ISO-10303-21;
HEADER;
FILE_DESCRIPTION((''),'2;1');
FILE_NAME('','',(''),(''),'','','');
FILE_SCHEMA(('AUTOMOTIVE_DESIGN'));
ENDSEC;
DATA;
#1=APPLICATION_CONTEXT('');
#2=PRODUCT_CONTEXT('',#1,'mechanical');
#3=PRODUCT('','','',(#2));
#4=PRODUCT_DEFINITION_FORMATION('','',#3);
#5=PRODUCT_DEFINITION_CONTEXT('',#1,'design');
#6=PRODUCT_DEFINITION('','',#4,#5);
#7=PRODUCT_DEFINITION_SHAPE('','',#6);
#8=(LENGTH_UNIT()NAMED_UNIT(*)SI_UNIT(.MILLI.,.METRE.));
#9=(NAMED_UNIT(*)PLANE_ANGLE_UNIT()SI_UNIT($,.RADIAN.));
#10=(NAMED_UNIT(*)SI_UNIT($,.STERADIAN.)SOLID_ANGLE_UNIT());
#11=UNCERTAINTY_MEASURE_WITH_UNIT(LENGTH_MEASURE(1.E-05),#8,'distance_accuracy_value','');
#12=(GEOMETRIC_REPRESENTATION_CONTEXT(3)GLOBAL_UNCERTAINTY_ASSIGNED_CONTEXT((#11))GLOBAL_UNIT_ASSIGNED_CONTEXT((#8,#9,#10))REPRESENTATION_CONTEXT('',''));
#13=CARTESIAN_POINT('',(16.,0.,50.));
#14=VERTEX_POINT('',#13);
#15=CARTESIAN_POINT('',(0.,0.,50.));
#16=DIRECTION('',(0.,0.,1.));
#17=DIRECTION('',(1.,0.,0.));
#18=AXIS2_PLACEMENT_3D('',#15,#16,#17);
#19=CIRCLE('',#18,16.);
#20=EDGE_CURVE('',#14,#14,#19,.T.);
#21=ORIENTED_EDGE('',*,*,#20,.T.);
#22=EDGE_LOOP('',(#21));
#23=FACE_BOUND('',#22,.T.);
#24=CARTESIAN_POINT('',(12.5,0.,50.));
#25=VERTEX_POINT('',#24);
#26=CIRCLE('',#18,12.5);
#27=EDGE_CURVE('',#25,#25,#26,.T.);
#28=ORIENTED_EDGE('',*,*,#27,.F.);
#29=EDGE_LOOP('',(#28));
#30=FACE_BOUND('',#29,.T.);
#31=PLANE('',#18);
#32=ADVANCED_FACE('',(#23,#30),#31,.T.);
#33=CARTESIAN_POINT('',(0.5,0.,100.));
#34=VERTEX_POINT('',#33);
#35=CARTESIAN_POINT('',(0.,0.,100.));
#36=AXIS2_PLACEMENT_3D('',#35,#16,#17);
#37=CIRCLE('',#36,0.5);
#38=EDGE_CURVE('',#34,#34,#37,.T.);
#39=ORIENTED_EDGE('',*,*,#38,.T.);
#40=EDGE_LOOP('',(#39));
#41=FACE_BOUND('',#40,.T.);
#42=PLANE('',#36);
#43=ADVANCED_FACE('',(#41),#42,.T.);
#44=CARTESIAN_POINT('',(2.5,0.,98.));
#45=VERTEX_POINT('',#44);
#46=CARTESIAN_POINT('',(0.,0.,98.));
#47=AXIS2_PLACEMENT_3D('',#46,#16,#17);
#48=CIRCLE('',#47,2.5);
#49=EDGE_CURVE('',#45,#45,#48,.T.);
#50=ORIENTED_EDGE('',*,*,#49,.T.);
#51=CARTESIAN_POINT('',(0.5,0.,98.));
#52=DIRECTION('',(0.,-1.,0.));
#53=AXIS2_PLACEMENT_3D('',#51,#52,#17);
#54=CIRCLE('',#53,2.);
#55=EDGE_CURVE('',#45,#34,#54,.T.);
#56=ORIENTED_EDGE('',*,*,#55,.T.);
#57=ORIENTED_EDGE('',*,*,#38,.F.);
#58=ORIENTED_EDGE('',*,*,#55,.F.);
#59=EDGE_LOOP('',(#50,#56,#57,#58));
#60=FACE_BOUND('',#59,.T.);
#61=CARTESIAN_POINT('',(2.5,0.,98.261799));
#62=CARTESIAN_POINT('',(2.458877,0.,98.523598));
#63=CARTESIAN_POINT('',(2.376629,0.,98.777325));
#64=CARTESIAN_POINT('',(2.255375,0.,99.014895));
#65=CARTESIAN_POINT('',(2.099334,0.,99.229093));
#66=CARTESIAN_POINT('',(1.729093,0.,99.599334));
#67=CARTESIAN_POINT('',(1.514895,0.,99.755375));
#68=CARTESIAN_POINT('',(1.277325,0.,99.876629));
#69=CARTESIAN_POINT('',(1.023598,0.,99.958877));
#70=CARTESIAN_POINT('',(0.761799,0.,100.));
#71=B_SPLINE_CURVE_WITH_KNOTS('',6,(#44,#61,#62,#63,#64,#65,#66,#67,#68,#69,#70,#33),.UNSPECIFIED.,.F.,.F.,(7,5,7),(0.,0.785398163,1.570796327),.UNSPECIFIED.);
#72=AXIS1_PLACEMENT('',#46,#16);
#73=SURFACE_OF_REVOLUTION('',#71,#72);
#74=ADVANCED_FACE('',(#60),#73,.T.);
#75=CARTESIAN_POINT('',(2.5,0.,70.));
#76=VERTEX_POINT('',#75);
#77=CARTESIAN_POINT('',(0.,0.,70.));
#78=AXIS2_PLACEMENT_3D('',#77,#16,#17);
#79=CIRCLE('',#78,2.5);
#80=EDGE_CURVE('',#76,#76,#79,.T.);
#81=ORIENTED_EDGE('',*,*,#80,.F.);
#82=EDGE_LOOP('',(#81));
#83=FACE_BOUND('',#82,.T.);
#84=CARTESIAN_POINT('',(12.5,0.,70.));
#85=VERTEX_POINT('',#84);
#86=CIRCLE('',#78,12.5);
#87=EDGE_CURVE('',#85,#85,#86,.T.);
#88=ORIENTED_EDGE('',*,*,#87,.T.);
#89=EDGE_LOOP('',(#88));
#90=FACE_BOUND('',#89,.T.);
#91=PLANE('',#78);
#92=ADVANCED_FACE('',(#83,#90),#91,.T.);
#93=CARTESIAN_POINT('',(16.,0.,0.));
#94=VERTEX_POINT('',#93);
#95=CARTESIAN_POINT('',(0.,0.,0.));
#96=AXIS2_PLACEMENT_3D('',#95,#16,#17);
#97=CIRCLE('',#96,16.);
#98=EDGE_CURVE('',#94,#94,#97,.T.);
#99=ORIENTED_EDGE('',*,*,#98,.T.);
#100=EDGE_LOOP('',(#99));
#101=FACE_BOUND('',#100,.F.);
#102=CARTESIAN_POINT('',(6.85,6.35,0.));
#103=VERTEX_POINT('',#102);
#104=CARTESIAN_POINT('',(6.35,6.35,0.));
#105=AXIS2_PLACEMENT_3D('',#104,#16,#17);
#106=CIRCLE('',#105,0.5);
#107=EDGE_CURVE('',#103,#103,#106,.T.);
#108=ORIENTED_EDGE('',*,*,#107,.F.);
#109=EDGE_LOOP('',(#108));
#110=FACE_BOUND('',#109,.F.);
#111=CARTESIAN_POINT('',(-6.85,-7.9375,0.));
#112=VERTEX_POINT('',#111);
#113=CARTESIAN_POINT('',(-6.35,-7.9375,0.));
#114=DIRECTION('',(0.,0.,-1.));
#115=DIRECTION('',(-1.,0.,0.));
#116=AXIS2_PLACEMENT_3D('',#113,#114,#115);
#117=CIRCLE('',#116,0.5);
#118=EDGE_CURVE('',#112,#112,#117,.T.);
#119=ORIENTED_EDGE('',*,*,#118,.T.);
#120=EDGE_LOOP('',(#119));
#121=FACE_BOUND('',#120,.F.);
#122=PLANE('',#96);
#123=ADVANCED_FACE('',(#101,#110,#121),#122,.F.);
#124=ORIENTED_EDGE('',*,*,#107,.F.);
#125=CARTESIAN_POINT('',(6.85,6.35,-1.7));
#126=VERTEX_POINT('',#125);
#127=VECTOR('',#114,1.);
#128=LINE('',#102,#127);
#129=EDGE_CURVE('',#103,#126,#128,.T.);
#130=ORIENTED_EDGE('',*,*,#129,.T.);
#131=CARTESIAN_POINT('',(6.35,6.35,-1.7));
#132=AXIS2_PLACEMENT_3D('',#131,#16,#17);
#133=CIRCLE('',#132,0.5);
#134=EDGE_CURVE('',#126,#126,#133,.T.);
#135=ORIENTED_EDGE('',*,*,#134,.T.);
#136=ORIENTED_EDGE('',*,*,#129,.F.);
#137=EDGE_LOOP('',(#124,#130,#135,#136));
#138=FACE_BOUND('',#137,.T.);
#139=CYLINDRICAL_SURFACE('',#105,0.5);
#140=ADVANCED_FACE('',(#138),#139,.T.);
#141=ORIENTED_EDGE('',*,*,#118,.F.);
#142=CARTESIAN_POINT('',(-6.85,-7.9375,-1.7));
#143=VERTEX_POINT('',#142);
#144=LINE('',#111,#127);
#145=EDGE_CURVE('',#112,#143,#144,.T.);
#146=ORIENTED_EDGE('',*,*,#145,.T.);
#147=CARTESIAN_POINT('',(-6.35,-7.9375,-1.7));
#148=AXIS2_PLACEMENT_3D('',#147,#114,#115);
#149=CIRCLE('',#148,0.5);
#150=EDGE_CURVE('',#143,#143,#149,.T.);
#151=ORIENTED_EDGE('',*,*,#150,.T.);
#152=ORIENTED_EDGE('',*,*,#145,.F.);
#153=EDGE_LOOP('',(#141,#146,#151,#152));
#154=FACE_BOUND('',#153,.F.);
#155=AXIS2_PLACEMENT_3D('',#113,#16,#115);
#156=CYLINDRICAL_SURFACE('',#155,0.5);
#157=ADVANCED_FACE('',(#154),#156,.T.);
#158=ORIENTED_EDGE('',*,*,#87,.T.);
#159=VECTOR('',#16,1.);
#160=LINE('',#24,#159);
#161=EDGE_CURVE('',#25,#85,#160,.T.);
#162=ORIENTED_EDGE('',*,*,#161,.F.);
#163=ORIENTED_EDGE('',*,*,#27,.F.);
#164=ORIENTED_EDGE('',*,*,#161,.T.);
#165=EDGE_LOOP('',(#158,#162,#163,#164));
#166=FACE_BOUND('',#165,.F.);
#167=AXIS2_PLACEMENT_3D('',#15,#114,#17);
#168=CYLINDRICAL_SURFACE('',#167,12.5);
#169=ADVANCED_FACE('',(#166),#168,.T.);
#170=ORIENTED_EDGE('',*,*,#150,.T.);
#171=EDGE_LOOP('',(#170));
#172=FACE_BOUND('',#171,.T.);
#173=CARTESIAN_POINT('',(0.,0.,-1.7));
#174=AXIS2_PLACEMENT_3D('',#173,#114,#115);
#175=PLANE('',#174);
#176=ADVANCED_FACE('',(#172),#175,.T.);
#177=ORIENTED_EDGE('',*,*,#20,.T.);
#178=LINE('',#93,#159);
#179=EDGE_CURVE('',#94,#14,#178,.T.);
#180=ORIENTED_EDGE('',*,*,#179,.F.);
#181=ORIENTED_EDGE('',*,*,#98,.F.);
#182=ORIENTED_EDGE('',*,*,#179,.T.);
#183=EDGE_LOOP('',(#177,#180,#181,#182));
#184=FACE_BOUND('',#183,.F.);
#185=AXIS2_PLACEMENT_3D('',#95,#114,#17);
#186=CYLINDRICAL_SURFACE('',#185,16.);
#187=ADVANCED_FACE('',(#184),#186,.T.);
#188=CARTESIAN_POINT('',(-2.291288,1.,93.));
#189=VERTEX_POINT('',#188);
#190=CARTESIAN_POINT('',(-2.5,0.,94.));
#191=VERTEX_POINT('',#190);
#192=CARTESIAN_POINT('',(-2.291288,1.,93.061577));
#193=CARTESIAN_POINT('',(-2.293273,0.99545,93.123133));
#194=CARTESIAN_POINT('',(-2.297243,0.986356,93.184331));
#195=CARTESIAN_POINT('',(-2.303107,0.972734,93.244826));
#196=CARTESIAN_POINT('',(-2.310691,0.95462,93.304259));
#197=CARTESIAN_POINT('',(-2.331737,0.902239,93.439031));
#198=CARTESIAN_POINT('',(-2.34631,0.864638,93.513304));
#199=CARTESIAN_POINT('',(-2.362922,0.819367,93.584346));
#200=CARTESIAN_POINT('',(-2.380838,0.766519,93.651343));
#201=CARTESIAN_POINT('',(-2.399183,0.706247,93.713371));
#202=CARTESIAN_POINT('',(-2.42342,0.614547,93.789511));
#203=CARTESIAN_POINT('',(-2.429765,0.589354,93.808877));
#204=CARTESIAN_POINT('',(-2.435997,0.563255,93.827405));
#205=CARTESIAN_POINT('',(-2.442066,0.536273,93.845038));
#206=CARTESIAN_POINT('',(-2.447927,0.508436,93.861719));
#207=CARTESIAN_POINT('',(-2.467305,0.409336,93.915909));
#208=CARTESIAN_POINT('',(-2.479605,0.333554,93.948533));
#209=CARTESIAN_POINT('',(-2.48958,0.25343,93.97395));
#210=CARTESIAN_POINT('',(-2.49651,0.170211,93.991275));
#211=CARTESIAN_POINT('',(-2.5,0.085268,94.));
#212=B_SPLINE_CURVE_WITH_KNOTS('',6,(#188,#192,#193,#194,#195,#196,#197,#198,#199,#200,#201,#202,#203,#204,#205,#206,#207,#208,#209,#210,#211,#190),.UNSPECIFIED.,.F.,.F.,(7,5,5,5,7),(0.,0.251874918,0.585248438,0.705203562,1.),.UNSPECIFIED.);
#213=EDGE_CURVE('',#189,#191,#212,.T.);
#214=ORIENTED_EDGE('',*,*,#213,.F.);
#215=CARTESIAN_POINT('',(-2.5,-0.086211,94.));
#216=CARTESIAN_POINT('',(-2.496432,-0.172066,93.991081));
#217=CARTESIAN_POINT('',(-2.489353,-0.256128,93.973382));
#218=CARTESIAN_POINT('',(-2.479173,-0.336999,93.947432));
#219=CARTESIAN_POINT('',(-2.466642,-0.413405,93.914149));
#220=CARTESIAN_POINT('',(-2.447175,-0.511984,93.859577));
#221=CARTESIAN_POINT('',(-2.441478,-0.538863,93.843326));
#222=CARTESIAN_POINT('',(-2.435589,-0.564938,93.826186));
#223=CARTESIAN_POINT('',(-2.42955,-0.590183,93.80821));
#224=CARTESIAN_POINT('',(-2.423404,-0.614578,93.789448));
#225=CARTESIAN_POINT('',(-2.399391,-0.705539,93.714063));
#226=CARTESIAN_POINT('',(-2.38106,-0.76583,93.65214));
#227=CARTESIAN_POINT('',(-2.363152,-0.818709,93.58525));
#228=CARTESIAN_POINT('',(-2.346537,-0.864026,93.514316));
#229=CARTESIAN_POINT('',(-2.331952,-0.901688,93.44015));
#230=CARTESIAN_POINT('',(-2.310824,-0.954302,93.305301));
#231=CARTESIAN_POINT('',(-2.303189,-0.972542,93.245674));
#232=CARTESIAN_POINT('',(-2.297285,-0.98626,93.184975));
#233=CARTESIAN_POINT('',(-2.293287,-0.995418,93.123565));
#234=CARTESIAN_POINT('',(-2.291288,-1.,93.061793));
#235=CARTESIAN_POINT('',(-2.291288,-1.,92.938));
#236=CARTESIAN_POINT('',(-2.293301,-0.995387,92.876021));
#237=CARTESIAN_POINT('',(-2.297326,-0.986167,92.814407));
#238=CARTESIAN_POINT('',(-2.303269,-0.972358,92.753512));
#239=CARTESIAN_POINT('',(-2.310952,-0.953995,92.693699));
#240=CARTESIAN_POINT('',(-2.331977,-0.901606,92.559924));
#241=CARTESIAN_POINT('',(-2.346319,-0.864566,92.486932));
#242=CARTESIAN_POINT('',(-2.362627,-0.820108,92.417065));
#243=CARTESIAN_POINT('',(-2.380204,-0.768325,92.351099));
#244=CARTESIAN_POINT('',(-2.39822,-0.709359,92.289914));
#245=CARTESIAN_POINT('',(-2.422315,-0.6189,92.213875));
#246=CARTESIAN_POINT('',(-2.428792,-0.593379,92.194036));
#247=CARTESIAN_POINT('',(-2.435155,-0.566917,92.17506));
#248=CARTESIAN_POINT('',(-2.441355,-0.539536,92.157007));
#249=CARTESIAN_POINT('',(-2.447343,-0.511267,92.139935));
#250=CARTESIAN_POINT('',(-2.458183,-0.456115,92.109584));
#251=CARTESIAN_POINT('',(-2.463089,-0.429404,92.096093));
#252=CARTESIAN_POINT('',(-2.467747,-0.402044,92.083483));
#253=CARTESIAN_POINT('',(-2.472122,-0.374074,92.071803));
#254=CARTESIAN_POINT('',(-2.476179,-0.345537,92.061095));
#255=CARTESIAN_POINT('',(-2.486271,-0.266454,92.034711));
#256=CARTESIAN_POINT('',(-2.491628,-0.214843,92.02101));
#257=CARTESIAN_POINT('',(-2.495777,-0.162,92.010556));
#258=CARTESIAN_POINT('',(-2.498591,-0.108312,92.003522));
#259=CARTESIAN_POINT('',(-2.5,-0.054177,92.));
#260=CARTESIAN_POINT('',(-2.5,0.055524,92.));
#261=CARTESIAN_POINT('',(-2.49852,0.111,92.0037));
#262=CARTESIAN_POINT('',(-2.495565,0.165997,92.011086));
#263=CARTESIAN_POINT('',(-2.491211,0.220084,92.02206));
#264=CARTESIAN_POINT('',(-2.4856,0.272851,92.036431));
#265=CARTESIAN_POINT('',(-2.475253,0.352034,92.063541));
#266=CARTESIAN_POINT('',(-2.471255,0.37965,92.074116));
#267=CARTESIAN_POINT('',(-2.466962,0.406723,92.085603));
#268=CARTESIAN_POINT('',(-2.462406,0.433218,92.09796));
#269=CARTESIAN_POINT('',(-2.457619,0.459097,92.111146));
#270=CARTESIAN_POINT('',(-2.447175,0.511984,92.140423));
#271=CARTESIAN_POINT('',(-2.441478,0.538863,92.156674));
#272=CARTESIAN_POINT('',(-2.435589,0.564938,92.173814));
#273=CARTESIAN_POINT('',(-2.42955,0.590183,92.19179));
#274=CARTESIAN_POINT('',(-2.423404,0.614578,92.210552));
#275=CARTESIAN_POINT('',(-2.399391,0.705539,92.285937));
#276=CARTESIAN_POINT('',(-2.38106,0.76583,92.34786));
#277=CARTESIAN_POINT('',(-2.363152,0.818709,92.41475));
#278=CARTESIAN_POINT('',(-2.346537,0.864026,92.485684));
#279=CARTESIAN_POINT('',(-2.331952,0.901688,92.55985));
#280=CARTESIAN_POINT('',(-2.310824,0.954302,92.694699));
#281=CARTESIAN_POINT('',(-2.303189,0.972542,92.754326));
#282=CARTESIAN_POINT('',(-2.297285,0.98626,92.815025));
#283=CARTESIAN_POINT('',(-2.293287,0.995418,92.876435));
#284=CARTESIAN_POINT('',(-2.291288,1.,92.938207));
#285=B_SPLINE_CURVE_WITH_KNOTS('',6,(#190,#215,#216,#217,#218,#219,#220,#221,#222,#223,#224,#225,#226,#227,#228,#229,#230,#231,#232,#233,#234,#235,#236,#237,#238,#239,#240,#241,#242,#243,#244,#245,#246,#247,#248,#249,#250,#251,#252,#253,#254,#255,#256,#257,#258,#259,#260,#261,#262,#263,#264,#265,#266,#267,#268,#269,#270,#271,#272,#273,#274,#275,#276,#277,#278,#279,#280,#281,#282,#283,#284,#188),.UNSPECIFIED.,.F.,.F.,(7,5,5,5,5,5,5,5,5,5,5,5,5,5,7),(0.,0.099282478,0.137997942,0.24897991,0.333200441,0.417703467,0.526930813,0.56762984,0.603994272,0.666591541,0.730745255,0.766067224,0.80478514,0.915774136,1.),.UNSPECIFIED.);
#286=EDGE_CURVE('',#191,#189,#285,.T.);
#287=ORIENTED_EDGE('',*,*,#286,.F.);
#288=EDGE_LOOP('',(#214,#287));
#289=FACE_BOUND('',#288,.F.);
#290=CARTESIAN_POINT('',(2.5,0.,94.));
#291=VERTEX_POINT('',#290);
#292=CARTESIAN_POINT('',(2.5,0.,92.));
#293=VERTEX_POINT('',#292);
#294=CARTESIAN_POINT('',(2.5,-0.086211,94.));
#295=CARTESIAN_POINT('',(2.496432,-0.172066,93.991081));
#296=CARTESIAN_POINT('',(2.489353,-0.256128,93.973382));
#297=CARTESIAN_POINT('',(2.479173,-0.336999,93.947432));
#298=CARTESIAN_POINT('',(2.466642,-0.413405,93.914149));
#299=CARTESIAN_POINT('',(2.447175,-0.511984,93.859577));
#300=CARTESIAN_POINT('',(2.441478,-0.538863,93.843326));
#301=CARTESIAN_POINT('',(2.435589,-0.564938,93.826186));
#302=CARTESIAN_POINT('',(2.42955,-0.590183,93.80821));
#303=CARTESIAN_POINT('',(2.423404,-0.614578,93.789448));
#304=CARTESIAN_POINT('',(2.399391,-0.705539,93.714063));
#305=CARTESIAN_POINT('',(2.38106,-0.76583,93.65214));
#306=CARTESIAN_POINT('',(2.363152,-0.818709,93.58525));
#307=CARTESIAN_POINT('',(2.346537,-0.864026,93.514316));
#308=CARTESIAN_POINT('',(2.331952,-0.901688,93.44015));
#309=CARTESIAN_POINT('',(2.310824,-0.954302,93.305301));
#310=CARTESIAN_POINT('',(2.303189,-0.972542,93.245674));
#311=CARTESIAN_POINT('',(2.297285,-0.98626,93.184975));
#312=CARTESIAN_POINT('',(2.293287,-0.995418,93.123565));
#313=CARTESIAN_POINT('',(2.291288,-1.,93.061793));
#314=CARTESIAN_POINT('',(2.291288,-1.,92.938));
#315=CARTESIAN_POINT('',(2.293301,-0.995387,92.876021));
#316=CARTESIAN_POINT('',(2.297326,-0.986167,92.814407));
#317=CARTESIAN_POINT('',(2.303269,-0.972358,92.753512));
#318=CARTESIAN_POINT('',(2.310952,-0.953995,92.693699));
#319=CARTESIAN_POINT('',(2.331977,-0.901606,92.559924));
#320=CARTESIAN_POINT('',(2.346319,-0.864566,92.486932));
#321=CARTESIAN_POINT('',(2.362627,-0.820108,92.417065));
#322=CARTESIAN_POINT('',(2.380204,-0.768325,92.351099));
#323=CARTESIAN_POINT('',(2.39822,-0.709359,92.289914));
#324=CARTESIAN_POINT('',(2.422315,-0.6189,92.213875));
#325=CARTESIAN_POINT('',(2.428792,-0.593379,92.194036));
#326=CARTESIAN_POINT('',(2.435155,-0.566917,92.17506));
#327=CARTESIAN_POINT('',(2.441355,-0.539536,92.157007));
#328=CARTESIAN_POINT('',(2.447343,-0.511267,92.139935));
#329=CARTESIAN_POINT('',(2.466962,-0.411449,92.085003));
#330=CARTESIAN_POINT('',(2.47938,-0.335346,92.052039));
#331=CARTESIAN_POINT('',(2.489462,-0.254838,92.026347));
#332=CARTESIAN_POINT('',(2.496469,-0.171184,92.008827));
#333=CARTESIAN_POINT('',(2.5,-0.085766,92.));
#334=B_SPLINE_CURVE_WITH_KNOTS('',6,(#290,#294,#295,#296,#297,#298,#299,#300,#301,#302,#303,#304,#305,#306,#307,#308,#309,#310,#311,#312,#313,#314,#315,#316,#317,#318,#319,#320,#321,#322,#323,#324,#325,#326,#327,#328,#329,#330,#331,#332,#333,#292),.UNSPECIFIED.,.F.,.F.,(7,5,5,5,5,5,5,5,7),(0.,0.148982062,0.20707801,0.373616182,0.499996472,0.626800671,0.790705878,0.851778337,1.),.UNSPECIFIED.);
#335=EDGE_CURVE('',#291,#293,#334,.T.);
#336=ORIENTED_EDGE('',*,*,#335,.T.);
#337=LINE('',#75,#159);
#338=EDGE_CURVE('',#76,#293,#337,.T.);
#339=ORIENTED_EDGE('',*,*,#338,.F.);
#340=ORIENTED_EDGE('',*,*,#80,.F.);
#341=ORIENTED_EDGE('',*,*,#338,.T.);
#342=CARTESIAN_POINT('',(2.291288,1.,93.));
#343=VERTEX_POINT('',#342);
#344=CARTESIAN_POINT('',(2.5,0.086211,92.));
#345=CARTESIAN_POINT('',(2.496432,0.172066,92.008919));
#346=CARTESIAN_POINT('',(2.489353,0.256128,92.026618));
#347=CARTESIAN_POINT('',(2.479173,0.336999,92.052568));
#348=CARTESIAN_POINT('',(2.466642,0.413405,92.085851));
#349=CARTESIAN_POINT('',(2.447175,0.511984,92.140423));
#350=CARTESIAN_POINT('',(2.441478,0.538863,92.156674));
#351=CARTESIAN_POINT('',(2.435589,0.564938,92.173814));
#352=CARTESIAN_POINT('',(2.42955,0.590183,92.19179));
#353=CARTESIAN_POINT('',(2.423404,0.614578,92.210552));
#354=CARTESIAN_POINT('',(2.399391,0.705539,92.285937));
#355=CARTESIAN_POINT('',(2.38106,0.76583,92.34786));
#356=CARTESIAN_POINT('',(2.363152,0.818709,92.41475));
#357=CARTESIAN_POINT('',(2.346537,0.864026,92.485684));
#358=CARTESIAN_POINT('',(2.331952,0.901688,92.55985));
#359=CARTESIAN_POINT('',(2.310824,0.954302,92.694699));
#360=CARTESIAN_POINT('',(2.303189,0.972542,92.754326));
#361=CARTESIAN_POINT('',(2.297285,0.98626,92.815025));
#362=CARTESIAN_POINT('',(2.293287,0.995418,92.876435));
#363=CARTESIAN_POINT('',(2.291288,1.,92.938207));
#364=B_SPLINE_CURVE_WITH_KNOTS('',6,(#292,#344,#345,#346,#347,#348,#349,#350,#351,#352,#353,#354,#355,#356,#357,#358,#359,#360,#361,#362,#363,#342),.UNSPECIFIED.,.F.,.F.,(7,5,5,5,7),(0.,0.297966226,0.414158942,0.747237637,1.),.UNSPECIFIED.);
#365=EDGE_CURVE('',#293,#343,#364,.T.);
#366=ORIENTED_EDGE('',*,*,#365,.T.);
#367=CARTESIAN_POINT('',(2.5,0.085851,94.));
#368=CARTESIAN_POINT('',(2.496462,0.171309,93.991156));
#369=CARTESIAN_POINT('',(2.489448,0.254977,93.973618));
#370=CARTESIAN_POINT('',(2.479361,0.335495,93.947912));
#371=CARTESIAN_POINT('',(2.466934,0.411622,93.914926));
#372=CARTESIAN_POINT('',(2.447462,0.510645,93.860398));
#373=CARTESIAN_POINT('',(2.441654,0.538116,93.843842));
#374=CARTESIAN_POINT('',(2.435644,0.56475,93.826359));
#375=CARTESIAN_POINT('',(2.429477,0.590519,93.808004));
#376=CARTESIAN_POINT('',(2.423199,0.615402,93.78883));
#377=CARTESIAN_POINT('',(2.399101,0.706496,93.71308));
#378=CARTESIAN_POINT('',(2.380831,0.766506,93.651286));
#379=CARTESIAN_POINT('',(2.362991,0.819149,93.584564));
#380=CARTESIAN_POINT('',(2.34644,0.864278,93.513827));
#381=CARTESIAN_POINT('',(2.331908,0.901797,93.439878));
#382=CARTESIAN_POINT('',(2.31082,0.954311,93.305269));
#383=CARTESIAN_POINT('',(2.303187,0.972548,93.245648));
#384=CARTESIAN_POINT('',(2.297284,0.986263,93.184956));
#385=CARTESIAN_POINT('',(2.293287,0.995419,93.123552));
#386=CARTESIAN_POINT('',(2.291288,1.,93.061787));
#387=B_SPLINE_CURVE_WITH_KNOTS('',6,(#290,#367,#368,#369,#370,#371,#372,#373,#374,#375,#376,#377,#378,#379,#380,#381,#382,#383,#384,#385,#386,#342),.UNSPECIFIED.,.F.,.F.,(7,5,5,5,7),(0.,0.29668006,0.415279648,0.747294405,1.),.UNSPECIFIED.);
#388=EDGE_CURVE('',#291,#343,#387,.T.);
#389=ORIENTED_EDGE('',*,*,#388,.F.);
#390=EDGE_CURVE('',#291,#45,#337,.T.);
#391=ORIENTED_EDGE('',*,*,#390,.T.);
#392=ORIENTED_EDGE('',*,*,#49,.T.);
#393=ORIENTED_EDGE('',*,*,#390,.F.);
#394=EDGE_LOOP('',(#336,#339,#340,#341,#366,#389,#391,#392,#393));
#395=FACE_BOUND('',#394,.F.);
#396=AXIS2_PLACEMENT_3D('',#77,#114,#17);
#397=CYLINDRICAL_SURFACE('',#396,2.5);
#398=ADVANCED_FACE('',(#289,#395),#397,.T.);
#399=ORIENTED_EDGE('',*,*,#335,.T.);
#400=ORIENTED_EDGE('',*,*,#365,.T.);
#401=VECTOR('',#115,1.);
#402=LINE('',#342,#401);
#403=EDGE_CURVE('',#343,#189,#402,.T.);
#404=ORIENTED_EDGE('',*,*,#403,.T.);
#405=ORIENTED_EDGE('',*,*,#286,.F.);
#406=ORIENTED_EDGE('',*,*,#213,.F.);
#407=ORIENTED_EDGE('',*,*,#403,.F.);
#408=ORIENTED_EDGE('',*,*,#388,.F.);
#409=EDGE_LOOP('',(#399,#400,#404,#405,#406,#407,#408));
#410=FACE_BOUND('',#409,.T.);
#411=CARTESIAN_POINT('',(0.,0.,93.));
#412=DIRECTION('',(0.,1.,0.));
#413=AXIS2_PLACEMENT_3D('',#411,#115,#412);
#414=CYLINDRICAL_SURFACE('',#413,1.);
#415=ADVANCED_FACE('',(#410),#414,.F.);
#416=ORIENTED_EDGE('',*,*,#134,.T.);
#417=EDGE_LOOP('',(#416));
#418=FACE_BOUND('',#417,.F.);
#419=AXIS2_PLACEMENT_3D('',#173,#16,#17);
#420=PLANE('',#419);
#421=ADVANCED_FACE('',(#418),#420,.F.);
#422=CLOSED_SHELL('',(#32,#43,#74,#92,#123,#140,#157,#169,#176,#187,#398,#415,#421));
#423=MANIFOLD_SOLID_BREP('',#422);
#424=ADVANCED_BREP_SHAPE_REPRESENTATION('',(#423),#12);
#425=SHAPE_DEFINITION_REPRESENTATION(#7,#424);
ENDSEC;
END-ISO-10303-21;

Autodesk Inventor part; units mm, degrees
ref_plane "YZ Plane" through (0, 0, 0) normal (1, 0, 0) x (0, 1, 0)
ref_plane "XZ Plane" through (0, 0, 0) normal (0, 1, 0) x (-1, 0, 0)
ref_plane "XY Plane" through (0, 0, 0) normal (0, 0, 1) x (1, 0, 0)
sketch "Sketch1" plane through (0, 0, 0) normal (0, 0, 1) x (1, 0, 0)
  circle A0 centre (0, 0) radius 16
  dimension "d0" = 32
extrude "Extrusion1" add sketch "Sketch1" along normal blind 50
sketch "Sketch2" plane through (0, 0, 50) normal (0, 0, 1) x (1, 0, 0)
  circle A0 centre (0, 0) radius 12.5
  dimension "d3" = 25
extrude "Extrusion2" add sketch "Sketch2" along normal blind 20
thread "Thread1" size "M25x2" class "6g" standard "ANSI Metric M Profile" full length
sketch "Sketch3" plane through (0, 0, 70) normal (0, 0, 1) x (1, 0, 0)
  circle A0 centre (0, 0) radius 2.5
  dimension "d8" = 5
extrude "Extrusion3" add sketch "Sketch3" along normal blind 30
sketch "Sketch4" plane through (0, 0, 0) normal (1, 0, 0) x (0, 1, 0)
  line L0 (2.5, 100) -> (-2.5, 100) projected
  line L1 (0, 100) -> (0, 93)
  circle A0 centre (0, 93) radius 1
  point P0 (0, 0)
  dimension "d11" = 7
  dimension "d12" = 2
extrude "Extrusion4" cut sketch "Sketch4" along normal through all both and the other way through all
fillet "Fillet1" radius 2 1 edges at (-2.5, 0, 100)
sketch "Sketch5" plane through (0, 0, 0) normal (0, 0, 1) x (1, 0, 0)
  circle A0 centre (6.35, 6.35) radius 0.5
  circle A1 centre (-7.9375, -6.35) radius 0.5
  point P0 (0, 0)
  dimension "d16" = 1
  dimension "d17" = 1
extrude "Extrusion5" add sketch "Sketch5" against normal blind 1.7 contours A0
sketch "Sketch6" plane through (0, 0, 0) normal (0, 0, -1) x (-1, 0, 0)
  circle A0 centre (6.35, -7.9375) radius 0.5
  point P0 (0, 0)
  dimension "d20" = 1
extrude "Extrusion6" add sketch "Sketch6" along normal blind 1.7
sketch "Sketch7" plane through (0, 0, 0) normal (0, 0, -1) x (-1, 0, 0)
  circle A0 centre (-6.35, 6.35) radius 0.5 projected
  line L0 (-6.35, 6.35) -> (-42.8625, 12.7) construction
  line L1 (-42.8625, 12.7) -> (-28.575, -14.2875) construction
  line L2 (-28.575, -14.2875) -> (-46.0375, -6.35) construction
  line L3 (-46.0375, -6.35) -> (-31.75, -22.225) construction
  spline S0 degree 4 poles (-6.35, 6.35) (-42.8625, 12.7) (-28.575, -14.2875) (-46.0375, -6.35) (-31.75, -22.225) knots 1 1 1 1 1 2 2 2 2 2
  line L4 (6.35, -7.9375) -> (-22.6919, -25.4) construction
  line L5 (-22.6919, -25.4) -> (-14.2875, -33.3375) construction
  spline S1 degree 2 poles (6.35, -7.9375) (-22.6919, -25.4) (-14.2875, -33.3375) knots 1 1 1 2 2 2
  point P0 (0, 0)
properties part number "dc motor"
